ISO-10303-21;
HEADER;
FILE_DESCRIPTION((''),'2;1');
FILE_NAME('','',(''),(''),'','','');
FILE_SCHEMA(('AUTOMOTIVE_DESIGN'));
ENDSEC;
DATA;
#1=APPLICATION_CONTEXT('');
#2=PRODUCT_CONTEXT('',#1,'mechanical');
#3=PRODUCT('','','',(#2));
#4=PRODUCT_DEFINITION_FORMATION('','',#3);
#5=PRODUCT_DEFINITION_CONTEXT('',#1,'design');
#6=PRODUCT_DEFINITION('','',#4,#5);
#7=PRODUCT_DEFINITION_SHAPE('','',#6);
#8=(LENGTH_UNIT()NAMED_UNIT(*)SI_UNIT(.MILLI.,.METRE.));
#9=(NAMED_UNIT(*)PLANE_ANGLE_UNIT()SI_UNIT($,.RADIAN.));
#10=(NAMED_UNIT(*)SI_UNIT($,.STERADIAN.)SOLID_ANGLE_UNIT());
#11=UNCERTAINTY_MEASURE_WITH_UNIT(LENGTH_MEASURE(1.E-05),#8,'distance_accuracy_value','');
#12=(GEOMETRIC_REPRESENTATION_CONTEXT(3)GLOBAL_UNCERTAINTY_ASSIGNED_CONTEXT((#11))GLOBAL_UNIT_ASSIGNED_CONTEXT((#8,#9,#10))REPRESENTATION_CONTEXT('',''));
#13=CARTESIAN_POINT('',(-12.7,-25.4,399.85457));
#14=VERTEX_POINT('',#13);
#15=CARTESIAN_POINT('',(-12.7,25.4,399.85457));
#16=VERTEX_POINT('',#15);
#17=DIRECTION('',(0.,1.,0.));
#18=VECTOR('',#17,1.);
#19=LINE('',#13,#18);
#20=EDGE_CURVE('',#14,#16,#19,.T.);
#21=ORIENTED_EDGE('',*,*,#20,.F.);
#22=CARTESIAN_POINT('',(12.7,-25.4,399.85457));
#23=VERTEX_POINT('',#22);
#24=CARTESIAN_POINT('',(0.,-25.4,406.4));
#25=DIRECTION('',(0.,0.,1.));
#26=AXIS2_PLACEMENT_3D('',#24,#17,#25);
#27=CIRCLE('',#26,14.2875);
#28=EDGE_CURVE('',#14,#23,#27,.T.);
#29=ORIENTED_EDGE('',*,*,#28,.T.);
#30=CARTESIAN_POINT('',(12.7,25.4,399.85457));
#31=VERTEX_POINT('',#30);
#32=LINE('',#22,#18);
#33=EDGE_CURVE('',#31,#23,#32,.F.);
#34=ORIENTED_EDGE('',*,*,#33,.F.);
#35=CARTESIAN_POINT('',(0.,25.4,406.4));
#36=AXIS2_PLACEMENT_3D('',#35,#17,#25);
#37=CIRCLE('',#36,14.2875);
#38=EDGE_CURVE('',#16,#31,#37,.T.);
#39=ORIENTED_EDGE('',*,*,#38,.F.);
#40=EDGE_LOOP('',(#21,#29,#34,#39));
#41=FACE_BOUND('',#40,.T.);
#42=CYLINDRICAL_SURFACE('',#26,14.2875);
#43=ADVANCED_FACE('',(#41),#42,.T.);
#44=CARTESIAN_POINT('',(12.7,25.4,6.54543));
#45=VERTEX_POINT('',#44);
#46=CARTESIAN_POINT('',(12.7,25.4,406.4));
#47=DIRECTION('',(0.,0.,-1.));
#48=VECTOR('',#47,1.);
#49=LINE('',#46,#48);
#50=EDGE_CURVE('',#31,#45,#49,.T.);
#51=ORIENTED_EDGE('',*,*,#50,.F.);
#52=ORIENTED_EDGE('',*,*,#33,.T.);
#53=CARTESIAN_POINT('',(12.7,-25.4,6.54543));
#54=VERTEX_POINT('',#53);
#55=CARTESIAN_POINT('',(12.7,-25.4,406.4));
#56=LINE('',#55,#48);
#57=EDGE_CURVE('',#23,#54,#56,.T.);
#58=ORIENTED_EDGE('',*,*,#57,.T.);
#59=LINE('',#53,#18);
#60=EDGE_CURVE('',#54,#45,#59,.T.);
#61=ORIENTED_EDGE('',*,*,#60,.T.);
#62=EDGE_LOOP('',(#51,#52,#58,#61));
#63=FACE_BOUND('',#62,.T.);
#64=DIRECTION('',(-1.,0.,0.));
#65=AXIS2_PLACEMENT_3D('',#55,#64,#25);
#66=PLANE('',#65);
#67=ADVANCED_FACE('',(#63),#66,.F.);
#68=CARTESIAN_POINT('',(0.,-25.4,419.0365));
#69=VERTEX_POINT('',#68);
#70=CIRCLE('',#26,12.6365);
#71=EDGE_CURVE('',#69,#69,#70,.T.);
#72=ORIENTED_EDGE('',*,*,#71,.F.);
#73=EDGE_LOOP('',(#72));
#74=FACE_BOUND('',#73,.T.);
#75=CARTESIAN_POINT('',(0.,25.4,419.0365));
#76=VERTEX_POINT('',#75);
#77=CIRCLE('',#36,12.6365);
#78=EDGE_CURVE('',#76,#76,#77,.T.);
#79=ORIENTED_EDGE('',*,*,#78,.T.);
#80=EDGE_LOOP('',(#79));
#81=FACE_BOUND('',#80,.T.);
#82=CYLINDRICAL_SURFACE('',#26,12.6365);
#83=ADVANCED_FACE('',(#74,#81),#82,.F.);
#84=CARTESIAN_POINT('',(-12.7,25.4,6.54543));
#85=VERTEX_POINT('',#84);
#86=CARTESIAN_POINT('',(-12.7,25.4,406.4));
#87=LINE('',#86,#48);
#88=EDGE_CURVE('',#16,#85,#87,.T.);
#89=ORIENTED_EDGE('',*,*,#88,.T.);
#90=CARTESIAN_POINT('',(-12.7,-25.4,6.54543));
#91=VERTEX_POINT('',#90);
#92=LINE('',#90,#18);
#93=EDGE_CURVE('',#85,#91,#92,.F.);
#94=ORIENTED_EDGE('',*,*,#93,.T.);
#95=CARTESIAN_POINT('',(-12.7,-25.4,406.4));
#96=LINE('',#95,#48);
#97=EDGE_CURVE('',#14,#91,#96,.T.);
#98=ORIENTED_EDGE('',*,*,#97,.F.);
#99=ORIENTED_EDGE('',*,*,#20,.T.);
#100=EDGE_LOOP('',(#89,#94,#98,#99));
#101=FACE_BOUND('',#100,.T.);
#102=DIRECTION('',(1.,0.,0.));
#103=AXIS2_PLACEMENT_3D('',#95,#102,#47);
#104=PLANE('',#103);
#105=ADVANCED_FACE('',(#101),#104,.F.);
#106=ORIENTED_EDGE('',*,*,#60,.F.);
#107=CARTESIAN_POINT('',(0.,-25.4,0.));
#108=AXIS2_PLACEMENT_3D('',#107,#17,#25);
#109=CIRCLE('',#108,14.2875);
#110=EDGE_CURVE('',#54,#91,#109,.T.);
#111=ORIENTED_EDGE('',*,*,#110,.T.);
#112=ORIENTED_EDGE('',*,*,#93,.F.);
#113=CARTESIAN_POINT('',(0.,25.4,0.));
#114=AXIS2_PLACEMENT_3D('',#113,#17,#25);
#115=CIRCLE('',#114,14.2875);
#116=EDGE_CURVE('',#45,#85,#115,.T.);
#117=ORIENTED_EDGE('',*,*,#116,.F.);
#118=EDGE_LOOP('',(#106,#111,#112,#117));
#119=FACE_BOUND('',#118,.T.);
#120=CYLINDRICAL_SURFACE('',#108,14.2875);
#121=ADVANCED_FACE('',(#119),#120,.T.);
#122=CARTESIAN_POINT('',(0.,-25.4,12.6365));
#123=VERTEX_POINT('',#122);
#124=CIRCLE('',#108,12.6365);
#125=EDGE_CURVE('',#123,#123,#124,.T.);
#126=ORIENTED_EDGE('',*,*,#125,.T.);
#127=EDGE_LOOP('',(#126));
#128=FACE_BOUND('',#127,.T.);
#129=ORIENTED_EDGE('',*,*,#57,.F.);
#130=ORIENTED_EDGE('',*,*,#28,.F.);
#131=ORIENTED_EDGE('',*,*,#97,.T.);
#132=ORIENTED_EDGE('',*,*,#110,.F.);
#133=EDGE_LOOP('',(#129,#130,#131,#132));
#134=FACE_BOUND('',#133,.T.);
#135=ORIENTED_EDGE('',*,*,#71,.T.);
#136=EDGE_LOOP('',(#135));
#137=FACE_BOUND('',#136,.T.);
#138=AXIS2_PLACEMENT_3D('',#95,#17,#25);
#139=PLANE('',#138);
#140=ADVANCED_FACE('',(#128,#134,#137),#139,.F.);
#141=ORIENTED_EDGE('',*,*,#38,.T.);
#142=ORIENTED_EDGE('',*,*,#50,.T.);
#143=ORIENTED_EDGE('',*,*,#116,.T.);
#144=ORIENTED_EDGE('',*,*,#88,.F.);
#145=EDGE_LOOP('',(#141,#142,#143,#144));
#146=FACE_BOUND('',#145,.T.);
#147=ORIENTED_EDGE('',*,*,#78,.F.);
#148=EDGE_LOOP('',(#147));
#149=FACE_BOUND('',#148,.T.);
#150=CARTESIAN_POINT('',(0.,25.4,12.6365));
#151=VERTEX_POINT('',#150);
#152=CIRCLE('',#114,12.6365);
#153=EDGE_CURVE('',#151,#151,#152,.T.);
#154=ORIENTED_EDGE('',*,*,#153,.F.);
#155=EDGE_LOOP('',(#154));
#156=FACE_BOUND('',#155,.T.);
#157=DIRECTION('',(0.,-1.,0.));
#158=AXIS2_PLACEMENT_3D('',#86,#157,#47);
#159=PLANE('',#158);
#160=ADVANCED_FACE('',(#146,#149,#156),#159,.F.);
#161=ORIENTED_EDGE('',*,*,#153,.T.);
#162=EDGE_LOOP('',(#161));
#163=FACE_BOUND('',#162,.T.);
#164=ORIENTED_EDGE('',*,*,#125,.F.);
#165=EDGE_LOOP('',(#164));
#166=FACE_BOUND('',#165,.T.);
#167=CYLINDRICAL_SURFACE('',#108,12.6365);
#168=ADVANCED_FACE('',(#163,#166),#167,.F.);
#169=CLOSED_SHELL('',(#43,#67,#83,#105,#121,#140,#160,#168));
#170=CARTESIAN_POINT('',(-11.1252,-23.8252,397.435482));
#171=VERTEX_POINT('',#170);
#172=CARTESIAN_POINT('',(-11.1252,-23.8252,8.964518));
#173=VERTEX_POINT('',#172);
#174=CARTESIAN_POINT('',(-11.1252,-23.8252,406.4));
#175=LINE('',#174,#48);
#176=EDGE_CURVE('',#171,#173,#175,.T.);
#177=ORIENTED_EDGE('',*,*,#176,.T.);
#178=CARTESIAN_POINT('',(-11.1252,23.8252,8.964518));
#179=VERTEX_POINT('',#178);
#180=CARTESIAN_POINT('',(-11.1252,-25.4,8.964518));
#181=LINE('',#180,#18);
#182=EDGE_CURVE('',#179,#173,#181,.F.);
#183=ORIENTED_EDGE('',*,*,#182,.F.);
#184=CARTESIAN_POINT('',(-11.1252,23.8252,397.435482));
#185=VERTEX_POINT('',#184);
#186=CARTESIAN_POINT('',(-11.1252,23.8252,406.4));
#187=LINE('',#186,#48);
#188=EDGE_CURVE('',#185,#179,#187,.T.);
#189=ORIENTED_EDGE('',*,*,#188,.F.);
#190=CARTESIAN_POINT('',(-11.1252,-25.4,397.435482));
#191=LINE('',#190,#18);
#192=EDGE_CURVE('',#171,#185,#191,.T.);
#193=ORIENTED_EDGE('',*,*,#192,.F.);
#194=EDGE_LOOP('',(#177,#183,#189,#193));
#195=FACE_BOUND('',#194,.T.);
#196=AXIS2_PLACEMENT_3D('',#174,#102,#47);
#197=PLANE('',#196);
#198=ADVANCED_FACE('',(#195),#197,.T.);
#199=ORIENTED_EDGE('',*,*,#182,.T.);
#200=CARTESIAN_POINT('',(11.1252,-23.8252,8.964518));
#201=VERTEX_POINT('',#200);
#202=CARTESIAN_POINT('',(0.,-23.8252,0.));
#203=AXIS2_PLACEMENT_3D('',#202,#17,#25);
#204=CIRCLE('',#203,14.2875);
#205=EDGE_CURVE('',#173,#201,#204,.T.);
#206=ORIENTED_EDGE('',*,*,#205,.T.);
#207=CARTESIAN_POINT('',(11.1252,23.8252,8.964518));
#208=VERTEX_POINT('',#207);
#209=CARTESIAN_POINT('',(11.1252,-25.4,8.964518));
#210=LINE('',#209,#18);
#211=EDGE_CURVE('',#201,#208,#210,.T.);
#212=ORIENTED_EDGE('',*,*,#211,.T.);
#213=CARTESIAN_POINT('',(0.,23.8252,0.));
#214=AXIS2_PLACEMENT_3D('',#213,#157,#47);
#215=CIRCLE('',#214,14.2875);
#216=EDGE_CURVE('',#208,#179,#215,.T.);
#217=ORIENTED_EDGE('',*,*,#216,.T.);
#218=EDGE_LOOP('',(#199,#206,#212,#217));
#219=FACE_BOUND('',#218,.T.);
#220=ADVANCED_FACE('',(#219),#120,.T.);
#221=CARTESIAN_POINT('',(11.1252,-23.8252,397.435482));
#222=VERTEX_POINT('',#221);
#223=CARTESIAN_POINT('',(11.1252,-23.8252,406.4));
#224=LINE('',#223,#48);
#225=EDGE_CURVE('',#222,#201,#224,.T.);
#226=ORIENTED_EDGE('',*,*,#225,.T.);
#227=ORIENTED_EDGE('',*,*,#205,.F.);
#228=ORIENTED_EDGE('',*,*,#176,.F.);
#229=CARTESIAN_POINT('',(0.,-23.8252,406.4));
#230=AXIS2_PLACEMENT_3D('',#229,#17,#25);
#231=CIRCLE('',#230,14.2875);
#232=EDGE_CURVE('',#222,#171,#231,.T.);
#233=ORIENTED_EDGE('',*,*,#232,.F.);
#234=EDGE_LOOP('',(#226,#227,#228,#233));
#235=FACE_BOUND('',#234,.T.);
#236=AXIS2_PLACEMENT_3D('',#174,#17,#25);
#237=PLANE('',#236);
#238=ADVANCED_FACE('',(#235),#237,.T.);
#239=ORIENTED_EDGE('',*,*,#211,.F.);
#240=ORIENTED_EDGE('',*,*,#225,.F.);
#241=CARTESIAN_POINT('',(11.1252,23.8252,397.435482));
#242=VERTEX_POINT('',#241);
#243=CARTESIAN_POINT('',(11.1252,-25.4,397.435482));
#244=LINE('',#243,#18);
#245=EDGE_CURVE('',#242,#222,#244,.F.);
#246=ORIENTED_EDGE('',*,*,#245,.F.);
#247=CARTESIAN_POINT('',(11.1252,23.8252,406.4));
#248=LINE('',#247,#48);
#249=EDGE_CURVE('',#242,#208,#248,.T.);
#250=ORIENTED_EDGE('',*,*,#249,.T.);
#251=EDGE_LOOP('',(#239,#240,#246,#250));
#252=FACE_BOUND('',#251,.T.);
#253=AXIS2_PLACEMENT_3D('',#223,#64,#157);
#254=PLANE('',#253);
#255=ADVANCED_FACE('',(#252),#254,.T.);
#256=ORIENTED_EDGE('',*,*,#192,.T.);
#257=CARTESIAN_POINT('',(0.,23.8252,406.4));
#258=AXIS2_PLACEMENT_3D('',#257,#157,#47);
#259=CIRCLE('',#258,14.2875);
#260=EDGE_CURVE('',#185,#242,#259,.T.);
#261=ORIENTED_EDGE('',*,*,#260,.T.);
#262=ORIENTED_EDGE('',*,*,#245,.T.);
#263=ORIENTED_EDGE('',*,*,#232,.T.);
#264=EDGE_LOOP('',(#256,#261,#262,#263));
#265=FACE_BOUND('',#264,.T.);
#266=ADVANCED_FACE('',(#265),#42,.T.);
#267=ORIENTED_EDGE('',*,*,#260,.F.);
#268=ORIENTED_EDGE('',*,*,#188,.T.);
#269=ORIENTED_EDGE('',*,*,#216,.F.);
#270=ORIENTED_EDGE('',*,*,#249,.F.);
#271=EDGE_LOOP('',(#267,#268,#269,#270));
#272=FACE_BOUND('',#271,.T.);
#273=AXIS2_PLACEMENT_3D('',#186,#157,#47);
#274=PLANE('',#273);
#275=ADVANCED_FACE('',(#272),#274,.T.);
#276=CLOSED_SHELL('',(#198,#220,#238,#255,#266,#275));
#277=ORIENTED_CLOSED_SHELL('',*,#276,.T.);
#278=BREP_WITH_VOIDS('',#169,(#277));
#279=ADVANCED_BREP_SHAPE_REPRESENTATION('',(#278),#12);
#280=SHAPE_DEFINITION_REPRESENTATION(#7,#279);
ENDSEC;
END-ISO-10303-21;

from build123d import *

# Parameters (mm, degrees)
SKETCH1_W           = 25.4
SKETCH1_H           = 50.8
SKETCH1_W_2         = 22.2504
SKETCH1_H_2         = 47.6504
BOSS_EXTRUDE1_DEPTH = 406.4
SKETCH2_R           = 14.2875
CUT_EXTRUDE1_DEPTH  = 410.759551445
SKETCH3_R           = 14.2875
SKETCH3_R_2         = 12.6365
BOSS_EXTRUDE2_DEPTH = 50.8


with BuildPart() as part:
    # Sketch1 → Boss-Extrude1 (new body)
    with BuildSketch(Plane.XY):
        Rectangle(SKETCH1_W, SKETCH1_H)
        Rectangle(SKETCH1_W_2, SKETCH1_H_2, mode=Mode.SUBTRACT)
    extrude(amount=BOSS_EXTRUDE1_DEPTH)

    # Sketch2 → Cut-Extrude1 (cut, through all)
    with BuildSketch(Plane(origin=(0, 25.4, 0), x_dir=(1, 0, 0), z_dir=(0, 1, 0))):
        Circle(SKETCH2_R)
        with Locations((0, -406.4)):
            Circle(SKETCH2_R)
    extrude(amount=-CUT_EXTRUDE1_DEPTH, mode=Mode.SUBTRACT)

    # Sketch3 → Boss-Extrude2 (add)
    # profile 1 of 2: a face of its own
    with BuildSketch(Plane(origin=(0, 25.4, 0), x_dir=(1, 0, 0), z_dir=(0, 1, 0))):
        Circle(SKETCH3_R)
        Circle(SKETCH3_R_2, mode=Mode.SUBTRACT)
    # profile 2 of 2: a face of its own
    with BuildSketch(Plane(origin=(0, 25.4, 0), x_dir=(1, 0, 0), z_dir=(0, 1, 0))):
        with Locations((0, -406.4)):
            Circle(SKETCH3_R)
        with Locations((0, -406.4)):
            Circle(SKETCH3_R_2, mode=Mode.SUBTRACT)
    extrude(amount=-BOSS_EXTRUDE2_DEPTH)


solid = part.part
